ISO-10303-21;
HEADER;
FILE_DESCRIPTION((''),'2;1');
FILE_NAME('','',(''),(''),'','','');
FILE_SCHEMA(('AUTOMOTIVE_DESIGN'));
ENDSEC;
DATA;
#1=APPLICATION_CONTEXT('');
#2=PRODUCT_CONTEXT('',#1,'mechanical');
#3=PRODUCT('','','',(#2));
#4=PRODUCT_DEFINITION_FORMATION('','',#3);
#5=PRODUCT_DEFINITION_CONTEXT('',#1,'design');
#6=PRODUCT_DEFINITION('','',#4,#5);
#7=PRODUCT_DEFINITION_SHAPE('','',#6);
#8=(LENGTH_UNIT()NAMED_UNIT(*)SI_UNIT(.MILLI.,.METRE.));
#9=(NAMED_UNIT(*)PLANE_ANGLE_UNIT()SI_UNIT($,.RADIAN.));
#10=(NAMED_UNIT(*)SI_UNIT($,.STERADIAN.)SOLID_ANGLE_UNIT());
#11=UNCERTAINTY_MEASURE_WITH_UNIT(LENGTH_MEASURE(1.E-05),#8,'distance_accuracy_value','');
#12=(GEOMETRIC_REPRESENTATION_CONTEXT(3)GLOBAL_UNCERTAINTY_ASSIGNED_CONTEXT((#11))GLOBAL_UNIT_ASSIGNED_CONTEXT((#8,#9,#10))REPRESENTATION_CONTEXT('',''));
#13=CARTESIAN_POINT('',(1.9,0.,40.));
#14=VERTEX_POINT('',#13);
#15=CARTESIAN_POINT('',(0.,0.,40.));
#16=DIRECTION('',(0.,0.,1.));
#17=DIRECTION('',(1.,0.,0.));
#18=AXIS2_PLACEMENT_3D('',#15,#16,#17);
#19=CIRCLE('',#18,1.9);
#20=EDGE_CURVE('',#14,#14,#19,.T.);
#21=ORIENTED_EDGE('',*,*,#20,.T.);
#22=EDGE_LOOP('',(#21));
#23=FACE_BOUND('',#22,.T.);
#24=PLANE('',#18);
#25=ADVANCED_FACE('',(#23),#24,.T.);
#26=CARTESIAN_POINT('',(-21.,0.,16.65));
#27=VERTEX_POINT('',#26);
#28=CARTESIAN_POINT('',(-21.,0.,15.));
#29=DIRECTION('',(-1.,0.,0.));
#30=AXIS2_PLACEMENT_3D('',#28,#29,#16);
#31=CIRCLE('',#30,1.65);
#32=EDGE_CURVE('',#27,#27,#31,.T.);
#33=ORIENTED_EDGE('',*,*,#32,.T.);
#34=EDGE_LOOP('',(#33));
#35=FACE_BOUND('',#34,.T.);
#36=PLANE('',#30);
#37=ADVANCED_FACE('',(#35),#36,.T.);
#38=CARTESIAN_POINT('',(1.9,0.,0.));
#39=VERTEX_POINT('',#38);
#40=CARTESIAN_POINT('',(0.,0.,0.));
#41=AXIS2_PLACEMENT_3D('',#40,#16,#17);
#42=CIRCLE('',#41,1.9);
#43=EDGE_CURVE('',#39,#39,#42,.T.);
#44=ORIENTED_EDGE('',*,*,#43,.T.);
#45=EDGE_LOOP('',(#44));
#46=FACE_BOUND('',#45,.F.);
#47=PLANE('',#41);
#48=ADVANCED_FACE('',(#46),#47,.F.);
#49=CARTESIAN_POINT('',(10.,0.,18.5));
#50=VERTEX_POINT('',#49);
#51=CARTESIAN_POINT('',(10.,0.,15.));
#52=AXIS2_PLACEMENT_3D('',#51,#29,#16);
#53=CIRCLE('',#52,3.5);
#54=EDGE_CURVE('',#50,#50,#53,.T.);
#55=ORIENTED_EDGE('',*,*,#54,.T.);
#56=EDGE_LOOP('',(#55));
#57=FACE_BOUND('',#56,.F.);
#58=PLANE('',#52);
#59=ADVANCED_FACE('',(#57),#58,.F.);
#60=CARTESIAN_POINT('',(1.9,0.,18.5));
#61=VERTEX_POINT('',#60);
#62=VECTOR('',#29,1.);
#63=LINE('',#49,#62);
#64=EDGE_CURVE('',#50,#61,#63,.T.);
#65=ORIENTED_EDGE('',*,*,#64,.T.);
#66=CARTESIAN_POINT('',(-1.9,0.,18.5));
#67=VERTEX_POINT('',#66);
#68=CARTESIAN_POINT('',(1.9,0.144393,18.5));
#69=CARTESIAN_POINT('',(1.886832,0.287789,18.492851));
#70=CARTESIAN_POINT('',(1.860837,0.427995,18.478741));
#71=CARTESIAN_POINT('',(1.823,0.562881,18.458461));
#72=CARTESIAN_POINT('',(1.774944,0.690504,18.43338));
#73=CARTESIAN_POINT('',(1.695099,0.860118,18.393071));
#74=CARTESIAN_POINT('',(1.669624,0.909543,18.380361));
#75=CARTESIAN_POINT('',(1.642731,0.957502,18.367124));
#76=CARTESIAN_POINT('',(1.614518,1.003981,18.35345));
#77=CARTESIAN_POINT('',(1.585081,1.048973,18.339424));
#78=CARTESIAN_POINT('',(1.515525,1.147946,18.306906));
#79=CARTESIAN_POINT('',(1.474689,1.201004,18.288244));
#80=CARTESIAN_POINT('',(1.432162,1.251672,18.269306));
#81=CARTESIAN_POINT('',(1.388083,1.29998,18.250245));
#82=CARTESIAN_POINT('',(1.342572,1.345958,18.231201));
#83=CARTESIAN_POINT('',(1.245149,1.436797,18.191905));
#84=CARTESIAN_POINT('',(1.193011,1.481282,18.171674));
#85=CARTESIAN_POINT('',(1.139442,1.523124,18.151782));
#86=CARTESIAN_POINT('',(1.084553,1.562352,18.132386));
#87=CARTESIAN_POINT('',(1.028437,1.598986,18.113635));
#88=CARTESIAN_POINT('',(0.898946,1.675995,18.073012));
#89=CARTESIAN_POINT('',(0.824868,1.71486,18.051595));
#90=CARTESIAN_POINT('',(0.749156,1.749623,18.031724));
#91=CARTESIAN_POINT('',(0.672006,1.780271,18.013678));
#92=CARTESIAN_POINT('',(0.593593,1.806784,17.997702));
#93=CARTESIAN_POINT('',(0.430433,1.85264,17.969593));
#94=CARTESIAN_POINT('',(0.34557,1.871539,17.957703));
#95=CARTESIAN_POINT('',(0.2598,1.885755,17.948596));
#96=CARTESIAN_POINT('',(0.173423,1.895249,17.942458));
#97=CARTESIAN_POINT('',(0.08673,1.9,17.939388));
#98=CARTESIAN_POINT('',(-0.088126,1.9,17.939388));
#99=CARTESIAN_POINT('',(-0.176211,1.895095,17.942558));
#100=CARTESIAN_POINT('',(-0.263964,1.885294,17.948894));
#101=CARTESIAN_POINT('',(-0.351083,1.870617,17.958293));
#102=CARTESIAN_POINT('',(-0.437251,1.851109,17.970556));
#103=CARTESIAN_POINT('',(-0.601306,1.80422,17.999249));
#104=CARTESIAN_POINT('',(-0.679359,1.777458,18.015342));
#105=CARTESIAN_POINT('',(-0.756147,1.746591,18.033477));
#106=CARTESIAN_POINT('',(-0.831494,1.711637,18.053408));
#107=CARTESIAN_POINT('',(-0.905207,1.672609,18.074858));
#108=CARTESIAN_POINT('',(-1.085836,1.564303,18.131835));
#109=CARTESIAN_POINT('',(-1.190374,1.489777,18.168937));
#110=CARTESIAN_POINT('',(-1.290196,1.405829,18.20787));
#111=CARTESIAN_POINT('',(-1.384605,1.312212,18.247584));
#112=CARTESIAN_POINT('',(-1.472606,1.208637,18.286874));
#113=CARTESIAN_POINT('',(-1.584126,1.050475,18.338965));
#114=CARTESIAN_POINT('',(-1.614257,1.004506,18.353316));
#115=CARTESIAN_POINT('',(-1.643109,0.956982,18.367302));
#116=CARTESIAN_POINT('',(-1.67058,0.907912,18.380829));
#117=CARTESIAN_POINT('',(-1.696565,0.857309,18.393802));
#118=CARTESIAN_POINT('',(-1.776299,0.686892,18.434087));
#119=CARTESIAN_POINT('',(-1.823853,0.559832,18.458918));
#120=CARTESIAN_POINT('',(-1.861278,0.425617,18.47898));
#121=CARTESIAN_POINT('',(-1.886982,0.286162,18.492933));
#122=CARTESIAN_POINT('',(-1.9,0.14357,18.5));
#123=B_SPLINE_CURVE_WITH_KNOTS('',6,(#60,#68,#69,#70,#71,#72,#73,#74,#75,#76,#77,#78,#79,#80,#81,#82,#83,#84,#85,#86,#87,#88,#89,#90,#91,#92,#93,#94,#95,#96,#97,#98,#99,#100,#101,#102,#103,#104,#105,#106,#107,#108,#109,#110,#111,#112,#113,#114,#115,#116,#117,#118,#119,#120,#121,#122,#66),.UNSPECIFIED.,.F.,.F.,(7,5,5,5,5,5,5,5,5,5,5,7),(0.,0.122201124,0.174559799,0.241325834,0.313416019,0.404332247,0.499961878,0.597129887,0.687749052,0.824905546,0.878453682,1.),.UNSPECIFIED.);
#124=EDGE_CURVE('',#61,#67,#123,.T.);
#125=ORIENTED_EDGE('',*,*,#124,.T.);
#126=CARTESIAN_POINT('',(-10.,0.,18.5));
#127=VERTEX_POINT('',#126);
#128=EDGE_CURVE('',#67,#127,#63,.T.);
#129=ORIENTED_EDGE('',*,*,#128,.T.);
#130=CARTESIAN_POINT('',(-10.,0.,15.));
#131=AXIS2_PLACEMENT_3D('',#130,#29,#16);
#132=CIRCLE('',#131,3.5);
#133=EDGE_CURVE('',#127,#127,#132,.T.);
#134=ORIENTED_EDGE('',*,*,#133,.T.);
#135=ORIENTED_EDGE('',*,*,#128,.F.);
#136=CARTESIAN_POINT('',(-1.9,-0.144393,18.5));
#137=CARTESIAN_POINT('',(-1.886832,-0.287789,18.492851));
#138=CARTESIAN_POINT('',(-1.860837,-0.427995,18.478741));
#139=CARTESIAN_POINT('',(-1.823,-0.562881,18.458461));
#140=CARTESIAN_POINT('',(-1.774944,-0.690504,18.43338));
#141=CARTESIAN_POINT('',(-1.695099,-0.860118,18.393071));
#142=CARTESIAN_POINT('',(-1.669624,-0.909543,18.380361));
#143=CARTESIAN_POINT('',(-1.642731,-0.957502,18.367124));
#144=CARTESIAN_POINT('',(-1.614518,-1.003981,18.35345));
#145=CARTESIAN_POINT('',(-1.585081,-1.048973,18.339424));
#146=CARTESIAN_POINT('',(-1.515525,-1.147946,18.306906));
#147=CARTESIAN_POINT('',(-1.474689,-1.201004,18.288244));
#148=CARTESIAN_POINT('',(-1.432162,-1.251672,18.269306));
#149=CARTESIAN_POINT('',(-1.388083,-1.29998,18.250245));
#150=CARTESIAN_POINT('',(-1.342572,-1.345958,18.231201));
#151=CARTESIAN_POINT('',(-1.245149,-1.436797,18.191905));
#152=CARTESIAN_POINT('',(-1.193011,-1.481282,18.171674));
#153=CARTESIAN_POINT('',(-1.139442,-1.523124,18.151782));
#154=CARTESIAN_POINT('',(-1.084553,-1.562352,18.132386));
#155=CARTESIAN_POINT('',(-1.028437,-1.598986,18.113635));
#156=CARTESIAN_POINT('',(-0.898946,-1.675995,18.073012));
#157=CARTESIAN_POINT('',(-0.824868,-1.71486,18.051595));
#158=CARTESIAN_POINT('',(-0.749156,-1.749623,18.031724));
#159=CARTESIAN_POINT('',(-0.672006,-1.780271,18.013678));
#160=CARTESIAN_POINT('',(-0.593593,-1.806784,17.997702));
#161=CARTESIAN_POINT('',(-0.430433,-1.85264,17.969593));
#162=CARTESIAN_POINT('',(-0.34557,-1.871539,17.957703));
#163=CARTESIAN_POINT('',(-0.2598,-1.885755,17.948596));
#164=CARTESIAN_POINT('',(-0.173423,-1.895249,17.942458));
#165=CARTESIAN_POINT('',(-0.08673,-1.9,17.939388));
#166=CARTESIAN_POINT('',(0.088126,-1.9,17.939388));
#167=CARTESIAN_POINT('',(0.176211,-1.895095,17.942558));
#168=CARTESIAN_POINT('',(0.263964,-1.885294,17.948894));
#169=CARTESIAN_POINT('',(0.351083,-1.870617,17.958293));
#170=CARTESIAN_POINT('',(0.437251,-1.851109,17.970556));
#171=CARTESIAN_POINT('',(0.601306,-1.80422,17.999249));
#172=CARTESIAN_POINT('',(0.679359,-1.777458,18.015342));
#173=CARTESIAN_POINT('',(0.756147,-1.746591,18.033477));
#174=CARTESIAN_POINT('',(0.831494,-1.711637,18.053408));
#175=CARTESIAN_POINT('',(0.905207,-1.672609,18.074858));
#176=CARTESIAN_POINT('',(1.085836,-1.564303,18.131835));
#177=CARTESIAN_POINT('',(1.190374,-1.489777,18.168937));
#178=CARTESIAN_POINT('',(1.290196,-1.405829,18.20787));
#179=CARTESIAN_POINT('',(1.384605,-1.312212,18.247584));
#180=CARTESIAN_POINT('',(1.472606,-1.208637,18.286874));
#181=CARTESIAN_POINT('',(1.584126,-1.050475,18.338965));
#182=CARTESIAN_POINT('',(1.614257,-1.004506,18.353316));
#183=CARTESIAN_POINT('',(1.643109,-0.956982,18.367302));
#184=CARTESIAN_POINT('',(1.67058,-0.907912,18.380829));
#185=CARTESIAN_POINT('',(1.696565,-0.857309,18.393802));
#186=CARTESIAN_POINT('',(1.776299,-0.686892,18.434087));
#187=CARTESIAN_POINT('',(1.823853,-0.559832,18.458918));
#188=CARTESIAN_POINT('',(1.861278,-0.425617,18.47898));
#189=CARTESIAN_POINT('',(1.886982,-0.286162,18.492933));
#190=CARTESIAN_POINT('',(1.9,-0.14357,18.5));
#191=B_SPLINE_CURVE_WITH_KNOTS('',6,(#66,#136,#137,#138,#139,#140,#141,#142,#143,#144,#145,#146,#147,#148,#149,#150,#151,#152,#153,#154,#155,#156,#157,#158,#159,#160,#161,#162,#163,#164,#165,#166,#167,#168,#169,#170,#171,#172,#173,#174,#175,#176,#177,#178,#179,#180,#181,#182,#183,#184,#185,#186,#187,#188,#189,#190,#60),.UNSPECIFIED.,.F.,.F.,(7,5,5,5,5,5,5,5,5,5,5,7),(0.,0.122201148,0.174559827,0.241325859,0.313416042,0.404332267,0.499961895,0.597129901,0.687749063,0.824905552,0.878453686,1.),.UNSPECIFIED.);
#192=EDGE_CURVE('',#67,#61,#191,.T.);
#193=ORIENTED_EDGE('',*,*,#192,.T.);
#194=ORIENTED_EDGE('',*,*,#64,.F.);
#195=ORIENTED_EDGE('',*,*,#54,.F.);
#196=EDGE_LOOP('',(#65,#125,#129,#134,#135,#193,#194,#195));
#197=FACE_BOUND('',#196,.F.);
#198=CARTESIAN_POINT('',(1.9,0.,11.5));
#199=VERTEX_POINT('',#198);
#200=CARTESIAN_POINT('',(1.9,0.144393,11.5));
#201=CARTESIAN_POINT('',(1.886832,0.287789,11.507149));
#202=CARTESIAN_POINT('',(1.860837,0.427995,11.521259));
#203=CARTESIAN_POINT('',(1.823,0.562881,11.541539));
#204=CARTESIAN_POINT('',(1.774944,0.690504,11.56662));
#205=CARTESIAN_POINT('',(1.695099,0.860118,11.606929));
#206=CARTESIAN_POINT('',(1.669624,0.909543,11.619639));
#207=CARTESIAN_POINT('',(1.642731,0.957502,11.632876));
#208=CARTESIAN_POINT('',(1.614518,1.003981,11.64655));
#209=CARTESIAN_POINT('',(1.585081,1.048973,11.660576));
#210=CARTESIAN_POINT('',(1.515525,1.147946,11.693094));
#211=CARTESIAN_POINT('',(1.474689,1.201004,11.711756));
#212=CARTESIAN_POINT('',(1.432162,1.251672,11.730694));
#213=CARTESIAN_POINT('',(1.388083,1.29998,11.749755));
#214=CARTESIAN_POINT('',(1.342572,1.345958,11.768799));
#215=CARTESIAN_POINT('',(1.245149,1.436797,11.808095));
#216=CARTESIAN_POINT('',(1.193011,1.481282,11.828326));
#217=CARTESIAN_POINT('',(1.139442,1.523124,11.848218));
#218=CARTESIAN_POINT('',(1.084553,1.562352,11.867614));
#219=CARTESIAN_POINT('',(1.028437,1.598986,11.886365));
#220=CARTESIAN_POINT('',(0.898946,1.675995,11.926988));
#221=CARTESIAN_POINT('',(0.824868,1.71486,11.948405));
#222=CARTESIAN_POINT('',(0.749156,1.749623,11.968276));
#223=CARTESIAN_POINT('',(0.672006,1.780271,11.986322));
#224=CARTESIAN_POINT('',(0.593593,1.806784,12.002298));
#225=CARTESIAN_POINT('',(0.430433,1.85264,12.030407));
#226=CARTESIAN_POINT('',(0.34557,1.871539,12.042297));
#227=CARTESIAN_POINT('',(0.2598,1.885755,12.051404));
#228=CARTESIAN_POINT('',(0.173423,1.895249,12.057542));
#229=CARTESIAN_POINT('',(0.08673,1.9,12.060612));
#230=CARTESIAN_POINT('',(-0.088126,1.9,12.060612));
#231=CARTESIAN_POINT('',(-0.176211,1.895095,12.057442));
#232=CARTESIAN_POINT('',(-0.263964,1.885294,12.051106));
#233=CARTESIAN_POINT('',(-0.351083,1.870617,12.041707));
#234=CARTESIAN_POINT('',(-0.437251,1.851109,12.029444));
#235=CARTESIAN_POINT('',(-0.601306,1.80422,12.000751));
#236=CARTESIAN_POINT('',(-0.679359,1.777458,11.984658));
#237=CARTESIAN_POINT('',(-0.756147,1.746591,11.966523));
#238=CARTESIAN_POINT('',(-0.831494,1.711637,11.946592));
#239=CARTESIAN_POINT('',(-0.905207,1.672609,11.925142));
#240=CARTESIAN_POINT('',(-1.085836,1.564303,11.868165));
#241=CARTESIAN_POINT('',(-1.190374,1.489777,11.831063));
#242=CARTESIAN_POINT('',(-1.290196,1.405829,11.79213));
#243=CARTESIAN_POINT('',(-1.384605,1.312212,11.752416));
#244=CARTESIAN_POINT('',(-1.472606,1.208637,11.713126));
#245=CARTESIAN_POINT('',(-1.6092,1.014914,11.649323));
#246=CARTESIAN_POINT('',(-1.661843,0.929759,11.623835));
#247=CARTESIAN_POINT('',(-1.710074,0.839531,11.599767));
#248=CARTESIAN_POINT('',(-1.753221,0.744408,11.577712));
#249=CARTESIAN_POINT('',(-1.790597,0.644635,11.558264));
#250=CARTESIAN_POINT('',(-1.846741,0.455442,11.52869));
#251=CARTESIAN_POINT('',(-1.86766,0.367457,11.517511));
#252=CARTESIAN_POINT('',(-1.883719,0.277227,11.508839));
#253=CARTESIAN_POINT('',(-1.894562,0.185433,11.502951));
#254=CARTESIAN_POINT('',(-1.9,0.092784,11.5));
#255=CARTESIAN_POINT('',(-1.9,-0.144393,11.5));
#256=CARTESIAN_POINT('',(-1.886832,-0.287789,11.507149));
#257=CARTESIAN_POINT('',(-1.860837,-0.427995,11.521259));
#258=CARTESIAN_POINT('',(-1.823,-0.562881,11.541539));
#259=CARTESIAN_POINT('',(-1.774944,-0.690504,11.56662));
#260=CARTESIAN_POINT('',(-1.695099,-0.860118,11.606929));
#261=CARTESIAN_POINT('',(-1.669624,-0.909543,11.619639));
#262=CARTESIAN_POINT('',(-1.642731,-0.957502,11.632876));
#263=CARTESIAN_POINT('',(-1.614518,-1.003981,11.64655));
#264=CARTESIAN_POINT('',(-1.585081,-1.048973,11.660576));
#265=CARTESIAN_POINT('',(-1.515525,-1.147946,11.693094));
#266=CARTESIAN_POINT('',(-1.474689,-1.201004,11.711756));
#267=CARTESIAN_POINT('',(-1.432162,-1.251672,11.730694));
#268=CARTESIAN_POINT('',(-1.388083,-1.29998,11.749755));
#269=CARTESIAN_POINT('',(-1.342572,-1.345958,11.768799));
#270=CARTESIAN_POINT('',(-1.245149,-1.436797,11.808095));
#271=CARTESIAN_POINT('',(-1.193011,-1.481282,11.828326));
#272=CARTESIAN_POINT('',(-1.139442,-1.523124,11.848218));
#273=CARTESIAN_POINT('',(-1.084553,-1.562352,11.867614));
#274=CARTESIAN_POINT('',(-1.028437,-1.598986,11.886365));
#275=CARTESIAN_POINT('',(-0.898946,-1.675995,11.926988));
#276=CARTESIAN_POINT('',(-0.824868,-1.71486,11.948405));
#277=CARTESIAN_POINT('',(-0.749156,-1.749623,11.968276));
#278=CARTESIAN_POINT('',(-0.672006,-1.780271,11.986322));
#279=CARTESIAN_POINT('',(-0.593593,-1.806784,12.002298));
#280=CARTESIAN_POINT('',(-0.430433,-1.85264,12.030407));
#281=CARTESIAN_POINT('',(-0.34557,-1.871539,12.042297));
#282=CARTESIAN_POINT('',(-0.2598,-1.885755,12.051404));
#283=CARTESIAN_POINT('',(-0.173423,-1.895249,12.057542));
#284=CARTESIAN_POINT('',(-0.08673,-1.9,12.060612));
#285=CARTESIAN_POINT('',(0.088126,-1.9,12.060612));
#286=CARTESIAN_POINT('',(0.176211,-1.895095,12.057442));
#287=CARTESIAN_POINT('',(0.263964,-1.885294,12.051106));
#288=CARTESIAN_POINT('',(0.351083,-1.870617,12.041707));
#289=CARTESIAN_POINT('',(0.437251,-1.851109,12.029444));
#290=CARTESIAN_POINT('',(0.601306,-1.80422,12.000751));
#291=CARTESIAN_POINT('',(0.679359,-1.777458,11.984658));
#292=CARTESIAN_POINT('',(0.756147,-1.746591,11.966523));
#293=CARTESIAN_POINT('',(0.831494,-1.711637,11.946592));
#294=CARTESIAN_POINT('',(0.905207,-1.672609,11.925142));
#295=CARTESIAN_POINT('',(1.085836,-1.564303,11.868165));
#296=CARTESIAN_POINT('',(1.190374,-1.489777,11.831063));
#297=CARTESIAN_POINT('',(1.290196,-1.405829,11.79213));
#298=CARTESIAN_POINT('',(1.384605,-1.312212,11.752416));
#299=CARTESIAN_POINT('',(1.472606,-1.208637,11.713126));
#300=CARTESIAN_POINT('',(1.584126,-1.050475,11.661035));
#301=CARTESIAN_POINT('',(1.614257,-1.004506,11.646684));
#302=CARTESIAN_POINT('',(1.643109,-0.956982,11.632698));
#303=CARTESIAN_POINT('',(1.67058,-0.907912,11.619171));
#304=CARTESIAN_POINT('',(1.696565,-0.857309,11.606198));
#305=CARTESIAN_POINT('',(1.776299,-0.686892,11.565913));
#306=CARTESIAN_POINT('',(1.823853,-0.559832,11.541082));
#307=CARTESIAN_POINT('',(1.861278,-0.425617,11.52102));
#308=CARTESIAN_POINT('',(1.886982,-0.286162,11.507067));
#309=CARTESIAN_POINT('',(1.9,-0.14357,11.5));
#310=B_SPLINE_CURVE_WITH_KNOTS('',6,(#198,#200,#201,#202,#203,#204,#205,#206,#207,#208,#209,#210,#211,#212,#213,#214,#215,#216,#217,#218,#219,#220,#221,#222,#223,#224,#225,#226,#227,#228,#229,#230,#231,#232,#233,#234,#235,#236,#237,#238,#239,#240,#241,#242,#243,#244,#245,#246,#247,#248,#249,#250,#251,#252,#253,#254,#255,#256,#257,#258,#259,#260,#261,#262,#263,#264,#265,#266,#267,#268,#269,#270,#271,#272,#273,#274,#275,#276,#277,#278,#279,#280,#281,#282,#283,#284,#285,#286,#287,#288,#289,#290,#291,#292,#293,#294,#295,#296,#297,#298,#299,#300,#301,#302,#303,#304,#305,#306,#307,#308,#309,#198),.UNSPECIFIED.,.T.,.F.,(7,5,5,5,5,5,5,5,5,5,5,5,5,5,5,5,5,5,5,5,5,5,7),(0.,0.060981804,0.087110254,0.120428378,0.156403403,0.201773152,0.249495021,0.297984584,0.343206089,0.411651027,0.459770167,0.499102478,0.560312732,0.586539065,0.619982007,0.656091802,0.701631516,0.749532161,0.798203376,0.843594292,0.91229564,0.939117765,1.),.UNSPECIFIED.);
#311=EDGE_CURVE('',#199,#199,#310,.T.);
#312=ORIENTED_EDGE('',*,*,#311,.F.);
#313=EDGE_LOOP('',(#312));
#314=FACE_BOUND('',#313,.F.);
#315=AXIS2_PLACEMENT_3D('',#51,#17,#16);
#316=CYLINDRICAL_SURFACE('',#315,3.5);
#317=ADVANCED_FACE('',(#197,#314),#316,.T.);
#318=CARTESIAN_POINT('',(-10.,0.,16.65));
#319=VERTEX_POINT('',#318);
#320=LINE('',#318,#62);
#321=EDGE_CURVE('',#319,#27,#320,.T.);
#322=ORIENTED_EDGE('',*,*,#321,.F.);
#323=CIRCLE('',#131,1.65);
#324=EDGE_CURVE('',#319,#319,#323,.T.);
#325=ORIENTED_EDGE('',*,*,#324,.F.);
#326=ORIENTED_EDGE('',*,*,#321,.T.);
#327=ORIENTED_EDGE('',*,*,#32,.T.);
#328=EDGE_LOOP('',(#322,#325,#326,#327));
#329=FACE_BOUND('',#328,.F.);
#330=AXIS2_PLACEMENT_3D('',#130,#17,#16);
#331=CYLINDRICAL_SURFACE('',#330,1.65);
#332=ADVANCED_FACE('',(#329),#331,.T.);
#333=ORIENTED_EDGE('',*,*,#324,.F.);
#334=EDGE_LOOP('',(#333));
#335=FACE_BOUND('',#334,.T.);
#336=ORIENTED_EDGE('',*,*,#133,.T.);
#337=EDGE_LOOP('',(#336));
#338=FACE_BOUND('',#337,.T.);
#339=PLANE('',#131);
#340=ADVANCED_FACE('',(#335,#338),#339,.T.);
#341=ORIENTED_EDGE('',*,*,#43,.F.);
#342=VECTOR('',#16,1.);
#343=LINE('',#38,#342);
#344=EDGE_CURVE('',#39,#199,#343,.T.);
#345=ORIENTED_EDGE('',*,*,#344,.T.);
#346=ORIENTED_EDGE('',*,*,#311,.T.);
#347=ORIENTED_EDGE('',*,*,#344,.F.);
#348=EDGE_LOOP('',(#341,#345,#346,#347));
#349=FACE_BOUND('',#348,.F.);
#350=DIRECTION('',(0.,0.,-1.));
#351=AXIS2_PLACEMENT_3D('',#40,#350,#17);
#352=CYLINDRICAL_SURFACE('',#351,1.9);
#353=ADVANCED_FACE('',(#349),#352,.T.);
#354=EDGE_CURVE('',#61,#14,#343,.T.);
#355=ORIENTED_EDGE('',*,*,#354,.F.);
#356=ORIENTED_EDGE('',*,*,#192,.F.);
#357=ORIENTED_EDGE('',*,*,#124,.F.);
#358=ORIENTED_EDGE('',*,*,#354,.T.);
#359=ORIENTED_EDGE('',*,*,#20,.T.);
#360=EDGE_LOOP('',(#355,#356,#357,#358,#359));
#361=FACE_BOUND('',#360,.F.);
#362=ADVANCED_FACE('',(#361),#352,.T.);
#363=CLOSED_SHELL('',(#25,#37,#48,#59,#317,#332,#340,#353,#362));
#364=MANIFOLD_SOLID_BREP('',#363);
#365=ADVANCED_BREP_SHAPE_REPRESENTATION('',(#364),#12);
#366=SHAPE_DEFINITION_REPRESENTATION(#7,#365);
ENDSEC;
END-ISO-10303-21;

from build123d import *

# Parameters (mm, degrees)
CYLINDER001_R     = 1.65
CYLINDER001_DEPTH = 11
CYLINDER_R        = 3.5
CYLINDER_DEPTH    = 20
CYLINDER002_R     = 1.9
CYLINDER002_DEPTH = 40


with BuildPart() as cylinder001:
    # Cylinder001 → Cylinder001 (new body)
    with BuildSketch(Plane(origin=(-10, 0, 15), x_dir=(0, 0, 1), z_dir=(-1, 0, 0))):
        Circle(CYLINDER001_R)
    extrude(amount=CYLINDER001_DEPTH)


with BuildPart() as cylinder:
    # Cylinder → Cylinder (new body)
    with BuildSketch(Plane(origin=(10, 0, 15), x_dir=(0, 0, 1), z_dir=(-1, 0, 0))):
        Circle(CYLINDER_R)
    extrude(amount=CYLINDER_DEPTH)


with BuildPart() as bolt_slot:
    # Cylinder002 → Cylinder002 (new body)
    with BuildSketch(Plane.XY):
        Circle(CYLINDER002_R)
    extrude(amount=CYLINDER002_DEPTH)

    # Fusion001010002: union Cylinder001, Cylinder
    add(cylinder001.part)
    add(cylinder.part)


solid = bolt_slot.part
